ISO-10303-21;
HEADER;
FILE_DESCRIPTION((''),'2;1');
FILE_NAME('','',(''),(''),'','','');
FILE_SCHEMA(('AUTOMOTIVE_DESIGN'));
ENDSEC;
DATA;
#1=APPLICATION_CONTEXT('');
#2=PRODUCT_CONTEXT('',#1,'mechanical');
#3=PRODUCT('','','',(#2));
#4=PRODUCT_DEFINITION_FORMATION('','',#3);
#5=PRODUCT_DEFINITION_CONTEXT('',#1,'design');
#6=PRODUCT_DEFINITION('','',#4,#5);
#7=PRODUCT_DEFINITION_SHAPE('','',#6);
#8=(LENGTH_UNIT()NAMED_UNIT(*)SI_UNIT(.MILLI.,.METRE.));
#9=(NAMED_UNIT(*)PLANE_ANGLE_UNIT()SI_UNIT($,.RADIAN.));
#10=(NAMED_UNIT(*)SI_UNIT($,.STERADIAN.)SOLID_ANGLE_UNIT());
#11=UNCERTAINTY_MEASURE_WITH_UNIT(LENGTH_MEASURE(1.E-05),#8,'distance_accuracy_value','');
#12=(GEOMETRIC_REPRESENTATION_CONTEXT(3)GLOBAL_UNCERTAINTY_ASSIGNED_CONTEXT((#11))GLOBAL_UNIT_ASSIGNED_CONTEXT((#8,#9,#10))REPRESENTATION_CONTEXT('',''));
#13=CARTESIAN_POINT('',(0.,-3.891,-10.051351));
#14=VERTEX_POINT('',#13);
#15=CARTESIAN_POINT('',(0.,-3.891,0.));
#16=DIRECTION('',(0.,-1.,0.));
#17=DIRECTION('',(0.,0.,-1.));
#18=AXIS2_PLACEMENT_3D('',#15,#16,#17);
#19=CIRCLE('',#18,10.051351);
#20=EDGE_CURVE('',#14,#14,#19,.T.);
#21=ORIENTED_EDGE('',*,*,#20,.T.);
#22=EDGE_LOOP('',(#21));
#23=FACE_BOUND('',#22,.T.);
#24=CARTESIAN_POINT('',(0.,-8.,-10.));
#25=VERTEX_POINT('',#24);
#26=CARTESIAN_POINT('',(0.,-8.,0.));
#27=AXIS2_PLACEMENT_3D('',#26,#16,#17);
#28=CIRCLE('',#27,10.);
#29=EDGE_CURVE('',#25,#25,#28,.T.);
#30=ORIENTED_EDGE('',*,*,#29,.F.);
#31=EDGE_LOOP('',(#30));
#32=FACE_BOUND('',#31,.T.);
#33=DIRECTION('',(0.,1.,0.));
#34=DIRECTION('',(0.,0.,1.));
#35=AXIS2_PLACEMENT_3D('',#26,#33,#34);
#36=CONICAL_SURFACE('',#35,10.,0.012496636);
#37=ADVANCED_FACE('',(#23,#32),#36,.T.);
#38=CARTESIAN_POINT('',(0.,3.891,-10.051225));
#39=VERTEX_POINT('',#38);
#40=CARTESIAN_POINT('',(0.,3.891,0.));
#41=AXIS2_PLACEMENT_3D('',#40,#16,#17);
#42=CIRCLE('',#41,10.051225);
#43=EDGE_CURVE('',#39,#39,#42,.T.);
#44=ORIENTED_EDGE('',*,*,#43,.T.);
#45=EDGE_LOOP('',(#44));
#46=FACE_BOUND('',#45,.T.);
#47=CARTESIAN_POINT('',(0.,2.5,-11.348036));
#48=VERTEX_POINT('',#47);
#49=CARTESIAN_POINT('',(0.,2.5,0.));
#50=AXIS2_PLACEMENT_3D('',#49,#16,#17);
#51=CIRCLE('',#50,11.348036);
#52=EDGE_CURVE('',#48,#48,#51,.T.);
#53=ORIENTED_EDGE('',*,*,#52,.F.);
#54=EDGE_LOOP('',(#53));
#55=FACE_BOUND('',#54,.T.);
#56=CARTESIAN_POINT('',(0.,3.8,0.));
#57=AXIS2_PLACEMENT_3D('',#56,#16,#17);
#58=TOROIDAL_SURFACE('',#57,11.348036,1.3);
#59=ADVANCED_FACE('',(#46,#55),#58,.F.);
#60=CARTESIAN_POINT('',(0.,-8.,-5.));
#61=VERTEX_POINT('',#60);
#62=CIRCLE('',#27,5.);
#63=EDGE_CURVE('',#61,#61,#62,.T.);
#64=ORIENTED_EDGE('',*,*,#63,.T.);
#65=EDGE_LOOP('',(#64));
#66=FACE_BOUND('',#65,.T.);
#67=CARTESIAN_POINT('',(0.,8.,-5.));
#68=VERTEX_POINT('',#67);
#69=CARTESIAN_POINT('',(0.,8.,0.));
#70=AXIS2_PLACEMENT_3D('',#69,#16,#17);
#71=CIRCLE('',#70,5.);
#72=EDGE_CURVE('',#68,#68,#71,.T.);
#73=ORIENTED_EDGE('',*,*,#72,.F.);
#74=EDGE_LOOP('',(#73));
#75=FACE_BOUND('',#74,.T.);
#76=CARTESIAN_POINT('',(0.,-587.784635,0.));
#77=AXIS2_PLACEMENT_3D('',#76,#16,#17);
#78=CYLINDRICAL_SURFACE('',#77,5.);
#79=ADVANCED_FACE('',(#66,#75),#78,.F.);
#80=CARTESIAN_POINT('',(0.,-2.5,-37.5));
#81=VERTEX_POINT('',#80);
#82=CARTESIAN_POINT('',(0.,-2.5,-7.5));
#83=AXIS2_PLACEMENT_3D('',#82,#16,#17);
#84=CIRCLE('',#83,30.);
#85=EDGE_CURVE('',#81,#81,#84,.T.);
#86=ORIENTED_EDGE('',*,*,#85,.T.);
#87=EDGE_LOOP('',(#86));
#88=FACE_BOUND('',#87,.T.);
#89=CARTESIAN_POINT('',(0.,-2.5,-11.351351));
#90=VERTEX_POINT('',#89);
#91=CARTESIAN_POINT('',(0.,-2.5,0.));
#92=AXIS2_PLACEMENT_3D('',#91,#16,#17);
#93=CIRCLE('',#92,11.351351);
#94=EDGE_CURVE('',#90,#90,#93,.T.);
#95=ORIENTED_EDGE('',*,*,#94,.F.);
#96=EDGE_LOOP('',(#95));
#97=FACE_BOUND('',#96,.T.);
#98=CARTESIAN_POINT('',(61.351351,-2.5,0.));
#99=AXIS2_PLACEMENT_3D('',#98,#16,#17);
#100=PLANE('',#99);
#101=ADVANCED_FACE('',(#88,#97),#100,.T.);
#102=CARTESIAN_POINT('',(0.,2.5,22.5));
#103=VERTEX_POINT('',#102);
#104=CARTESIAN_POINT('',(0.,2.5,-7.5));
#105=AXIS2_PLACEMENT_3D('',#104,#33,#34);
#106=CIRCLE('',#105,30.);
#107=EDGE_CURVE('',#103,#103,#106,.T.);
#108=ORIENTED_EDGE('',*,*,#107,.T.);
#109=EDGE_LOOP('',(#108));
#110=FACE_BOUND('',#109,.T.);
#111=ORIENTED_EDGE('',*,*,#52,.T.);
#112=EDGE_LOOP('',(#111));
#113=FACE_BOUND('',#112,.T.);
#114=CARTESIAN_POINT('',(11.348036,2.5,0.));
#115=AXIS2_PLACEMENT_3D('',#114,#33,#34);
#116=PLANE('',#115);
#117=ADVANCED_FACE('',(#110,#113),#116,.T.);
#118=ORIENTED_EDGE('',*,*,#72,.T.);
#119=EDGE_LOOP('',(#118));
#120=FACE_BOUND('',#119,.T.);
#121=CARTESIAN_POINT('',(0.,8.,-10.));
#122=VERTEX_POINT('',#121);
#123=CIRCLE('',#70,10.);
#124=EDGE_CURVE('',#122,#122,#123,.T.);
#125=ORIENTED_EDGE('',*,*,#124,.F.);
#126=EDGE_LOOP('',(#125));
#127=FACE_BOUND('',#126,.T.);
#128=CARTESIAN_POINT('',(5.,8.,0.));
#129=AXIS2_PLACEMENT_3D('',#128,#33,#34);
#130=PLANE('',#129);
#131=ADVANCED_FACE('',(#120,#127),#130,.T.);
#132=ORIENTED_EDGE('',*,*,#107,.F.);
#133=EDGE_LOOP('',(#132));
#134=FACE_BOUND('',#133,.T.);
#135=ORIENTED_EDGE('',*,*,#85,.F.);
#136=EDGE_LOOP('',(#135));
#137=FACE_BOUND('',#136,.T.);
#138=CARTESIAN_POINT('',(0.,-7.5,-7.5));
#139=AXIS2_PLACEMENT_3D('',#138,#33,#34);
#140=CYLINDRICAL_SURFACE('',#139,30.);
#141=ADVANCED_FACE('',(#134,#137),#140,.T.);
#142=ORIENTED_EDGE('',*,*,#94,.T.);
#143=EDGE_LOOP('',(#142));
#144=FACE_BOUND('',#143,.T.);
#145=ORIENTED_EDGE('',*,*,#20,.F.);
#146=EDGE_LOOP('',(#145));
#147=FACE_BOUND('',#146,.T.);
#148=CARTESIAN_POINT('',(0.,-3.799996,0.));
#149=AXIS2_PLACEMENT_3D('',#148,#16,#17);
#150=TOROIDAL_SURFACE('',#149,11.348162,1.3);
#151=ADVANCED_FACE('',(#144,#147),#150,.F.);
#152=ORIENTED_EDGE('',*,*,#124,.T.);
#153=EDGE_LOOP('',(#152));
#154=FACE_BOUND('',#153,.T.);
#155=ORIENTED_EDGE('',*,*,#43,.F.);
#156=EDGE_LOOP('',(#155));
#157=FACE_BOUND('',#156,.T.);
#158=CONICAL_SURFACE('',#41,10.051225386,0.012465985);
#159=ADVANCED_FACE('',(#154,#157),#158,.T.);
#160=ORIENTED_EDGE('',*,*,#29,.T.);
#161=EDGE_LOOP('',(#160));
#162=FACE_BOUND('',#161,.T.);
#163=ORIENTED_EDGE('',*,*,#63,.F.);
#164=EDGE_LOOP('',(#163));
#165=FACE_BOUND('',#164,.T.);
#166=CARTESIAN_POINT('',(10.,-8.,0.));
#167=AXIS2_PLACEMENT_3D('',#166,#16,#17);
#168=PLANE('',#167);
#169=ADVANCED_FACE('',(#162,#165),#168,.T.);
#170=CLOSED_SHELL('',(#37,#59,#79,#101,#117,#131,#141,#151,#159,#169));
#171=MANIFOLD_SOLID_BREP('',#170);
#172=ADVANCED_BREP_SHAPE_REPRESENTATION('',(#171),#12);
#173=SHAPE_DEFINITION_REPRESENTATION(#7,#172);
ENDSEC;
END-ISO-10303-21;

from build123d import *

# Parameters (mm, degrees)
CROQUIS4_OUTSIDE_W    = 159.554
CROQUIS4_OUTSIDE_H    = 159.554
CROQUIS4_OUTSIDE_R    = 30
CORTAR_EXTRUIR9_DEPTH = 10


with BuildPart() as part:
    # Croquis1 → Revolución1 (revolve)
    with BuildSketch(Plane.XY, mode=Mode.PRIVATE) as revoluci_n1_sk:
        with BuildLine():
            Line((5, 8), (10, 8))
            Line((10, 8), (10.051225386, 3.891))
            ThreePointArc((10.051225386, 3.891), (10.39716845, 2.91351819), (11.348036475, 2.5))
            Line((11.348036475, 2.5), (61.351351351, 2.5))
            Line((61.351351351, 2.5), (61.351351351, -2.5))
            Line((61.351351351, -2.5), (11.351351351, -2.5))
            ThreePointArc((11.351351351, -2.5), (10.398380886, -2.912350032), (10.051351351, -3.891))
            Line((10.051351351, -3.891), (10, -8))
            Line((10, -8), (5, -8))
            Line((5, -8), (5, 8))
        make_face()
    revolve(revoluci_n1_sk.sketch.rotate(Axis((0, -587.784635029, 0), (0, 1, 0)), 90), axis=Axis((0, -587.784635029, 0), (0, 1, 0)))

    # Croquis4 outside → Cortar-Extruir9 (cut)
    with BuildSketch(Plane(origin=(0, 2.5, 0), x_dir=(1, 0, 0), z_dir=(0, 1, 0))):
        Rectangle(CROQUIS4_OUTSIDE_W, CROQUIS4_OUTSIDE_H)
        with Locations(Location((0, 7.5, 0), (0, 0, 270))):
            Circle(CROQUIS4_OUTSIDE_R, mode=Mode.SUBTRACT)
    extrude(amount=-CORTAR_EXTRUIR9_DEPTH, mode=Mode.SUBTRACT)


solid = part.part
